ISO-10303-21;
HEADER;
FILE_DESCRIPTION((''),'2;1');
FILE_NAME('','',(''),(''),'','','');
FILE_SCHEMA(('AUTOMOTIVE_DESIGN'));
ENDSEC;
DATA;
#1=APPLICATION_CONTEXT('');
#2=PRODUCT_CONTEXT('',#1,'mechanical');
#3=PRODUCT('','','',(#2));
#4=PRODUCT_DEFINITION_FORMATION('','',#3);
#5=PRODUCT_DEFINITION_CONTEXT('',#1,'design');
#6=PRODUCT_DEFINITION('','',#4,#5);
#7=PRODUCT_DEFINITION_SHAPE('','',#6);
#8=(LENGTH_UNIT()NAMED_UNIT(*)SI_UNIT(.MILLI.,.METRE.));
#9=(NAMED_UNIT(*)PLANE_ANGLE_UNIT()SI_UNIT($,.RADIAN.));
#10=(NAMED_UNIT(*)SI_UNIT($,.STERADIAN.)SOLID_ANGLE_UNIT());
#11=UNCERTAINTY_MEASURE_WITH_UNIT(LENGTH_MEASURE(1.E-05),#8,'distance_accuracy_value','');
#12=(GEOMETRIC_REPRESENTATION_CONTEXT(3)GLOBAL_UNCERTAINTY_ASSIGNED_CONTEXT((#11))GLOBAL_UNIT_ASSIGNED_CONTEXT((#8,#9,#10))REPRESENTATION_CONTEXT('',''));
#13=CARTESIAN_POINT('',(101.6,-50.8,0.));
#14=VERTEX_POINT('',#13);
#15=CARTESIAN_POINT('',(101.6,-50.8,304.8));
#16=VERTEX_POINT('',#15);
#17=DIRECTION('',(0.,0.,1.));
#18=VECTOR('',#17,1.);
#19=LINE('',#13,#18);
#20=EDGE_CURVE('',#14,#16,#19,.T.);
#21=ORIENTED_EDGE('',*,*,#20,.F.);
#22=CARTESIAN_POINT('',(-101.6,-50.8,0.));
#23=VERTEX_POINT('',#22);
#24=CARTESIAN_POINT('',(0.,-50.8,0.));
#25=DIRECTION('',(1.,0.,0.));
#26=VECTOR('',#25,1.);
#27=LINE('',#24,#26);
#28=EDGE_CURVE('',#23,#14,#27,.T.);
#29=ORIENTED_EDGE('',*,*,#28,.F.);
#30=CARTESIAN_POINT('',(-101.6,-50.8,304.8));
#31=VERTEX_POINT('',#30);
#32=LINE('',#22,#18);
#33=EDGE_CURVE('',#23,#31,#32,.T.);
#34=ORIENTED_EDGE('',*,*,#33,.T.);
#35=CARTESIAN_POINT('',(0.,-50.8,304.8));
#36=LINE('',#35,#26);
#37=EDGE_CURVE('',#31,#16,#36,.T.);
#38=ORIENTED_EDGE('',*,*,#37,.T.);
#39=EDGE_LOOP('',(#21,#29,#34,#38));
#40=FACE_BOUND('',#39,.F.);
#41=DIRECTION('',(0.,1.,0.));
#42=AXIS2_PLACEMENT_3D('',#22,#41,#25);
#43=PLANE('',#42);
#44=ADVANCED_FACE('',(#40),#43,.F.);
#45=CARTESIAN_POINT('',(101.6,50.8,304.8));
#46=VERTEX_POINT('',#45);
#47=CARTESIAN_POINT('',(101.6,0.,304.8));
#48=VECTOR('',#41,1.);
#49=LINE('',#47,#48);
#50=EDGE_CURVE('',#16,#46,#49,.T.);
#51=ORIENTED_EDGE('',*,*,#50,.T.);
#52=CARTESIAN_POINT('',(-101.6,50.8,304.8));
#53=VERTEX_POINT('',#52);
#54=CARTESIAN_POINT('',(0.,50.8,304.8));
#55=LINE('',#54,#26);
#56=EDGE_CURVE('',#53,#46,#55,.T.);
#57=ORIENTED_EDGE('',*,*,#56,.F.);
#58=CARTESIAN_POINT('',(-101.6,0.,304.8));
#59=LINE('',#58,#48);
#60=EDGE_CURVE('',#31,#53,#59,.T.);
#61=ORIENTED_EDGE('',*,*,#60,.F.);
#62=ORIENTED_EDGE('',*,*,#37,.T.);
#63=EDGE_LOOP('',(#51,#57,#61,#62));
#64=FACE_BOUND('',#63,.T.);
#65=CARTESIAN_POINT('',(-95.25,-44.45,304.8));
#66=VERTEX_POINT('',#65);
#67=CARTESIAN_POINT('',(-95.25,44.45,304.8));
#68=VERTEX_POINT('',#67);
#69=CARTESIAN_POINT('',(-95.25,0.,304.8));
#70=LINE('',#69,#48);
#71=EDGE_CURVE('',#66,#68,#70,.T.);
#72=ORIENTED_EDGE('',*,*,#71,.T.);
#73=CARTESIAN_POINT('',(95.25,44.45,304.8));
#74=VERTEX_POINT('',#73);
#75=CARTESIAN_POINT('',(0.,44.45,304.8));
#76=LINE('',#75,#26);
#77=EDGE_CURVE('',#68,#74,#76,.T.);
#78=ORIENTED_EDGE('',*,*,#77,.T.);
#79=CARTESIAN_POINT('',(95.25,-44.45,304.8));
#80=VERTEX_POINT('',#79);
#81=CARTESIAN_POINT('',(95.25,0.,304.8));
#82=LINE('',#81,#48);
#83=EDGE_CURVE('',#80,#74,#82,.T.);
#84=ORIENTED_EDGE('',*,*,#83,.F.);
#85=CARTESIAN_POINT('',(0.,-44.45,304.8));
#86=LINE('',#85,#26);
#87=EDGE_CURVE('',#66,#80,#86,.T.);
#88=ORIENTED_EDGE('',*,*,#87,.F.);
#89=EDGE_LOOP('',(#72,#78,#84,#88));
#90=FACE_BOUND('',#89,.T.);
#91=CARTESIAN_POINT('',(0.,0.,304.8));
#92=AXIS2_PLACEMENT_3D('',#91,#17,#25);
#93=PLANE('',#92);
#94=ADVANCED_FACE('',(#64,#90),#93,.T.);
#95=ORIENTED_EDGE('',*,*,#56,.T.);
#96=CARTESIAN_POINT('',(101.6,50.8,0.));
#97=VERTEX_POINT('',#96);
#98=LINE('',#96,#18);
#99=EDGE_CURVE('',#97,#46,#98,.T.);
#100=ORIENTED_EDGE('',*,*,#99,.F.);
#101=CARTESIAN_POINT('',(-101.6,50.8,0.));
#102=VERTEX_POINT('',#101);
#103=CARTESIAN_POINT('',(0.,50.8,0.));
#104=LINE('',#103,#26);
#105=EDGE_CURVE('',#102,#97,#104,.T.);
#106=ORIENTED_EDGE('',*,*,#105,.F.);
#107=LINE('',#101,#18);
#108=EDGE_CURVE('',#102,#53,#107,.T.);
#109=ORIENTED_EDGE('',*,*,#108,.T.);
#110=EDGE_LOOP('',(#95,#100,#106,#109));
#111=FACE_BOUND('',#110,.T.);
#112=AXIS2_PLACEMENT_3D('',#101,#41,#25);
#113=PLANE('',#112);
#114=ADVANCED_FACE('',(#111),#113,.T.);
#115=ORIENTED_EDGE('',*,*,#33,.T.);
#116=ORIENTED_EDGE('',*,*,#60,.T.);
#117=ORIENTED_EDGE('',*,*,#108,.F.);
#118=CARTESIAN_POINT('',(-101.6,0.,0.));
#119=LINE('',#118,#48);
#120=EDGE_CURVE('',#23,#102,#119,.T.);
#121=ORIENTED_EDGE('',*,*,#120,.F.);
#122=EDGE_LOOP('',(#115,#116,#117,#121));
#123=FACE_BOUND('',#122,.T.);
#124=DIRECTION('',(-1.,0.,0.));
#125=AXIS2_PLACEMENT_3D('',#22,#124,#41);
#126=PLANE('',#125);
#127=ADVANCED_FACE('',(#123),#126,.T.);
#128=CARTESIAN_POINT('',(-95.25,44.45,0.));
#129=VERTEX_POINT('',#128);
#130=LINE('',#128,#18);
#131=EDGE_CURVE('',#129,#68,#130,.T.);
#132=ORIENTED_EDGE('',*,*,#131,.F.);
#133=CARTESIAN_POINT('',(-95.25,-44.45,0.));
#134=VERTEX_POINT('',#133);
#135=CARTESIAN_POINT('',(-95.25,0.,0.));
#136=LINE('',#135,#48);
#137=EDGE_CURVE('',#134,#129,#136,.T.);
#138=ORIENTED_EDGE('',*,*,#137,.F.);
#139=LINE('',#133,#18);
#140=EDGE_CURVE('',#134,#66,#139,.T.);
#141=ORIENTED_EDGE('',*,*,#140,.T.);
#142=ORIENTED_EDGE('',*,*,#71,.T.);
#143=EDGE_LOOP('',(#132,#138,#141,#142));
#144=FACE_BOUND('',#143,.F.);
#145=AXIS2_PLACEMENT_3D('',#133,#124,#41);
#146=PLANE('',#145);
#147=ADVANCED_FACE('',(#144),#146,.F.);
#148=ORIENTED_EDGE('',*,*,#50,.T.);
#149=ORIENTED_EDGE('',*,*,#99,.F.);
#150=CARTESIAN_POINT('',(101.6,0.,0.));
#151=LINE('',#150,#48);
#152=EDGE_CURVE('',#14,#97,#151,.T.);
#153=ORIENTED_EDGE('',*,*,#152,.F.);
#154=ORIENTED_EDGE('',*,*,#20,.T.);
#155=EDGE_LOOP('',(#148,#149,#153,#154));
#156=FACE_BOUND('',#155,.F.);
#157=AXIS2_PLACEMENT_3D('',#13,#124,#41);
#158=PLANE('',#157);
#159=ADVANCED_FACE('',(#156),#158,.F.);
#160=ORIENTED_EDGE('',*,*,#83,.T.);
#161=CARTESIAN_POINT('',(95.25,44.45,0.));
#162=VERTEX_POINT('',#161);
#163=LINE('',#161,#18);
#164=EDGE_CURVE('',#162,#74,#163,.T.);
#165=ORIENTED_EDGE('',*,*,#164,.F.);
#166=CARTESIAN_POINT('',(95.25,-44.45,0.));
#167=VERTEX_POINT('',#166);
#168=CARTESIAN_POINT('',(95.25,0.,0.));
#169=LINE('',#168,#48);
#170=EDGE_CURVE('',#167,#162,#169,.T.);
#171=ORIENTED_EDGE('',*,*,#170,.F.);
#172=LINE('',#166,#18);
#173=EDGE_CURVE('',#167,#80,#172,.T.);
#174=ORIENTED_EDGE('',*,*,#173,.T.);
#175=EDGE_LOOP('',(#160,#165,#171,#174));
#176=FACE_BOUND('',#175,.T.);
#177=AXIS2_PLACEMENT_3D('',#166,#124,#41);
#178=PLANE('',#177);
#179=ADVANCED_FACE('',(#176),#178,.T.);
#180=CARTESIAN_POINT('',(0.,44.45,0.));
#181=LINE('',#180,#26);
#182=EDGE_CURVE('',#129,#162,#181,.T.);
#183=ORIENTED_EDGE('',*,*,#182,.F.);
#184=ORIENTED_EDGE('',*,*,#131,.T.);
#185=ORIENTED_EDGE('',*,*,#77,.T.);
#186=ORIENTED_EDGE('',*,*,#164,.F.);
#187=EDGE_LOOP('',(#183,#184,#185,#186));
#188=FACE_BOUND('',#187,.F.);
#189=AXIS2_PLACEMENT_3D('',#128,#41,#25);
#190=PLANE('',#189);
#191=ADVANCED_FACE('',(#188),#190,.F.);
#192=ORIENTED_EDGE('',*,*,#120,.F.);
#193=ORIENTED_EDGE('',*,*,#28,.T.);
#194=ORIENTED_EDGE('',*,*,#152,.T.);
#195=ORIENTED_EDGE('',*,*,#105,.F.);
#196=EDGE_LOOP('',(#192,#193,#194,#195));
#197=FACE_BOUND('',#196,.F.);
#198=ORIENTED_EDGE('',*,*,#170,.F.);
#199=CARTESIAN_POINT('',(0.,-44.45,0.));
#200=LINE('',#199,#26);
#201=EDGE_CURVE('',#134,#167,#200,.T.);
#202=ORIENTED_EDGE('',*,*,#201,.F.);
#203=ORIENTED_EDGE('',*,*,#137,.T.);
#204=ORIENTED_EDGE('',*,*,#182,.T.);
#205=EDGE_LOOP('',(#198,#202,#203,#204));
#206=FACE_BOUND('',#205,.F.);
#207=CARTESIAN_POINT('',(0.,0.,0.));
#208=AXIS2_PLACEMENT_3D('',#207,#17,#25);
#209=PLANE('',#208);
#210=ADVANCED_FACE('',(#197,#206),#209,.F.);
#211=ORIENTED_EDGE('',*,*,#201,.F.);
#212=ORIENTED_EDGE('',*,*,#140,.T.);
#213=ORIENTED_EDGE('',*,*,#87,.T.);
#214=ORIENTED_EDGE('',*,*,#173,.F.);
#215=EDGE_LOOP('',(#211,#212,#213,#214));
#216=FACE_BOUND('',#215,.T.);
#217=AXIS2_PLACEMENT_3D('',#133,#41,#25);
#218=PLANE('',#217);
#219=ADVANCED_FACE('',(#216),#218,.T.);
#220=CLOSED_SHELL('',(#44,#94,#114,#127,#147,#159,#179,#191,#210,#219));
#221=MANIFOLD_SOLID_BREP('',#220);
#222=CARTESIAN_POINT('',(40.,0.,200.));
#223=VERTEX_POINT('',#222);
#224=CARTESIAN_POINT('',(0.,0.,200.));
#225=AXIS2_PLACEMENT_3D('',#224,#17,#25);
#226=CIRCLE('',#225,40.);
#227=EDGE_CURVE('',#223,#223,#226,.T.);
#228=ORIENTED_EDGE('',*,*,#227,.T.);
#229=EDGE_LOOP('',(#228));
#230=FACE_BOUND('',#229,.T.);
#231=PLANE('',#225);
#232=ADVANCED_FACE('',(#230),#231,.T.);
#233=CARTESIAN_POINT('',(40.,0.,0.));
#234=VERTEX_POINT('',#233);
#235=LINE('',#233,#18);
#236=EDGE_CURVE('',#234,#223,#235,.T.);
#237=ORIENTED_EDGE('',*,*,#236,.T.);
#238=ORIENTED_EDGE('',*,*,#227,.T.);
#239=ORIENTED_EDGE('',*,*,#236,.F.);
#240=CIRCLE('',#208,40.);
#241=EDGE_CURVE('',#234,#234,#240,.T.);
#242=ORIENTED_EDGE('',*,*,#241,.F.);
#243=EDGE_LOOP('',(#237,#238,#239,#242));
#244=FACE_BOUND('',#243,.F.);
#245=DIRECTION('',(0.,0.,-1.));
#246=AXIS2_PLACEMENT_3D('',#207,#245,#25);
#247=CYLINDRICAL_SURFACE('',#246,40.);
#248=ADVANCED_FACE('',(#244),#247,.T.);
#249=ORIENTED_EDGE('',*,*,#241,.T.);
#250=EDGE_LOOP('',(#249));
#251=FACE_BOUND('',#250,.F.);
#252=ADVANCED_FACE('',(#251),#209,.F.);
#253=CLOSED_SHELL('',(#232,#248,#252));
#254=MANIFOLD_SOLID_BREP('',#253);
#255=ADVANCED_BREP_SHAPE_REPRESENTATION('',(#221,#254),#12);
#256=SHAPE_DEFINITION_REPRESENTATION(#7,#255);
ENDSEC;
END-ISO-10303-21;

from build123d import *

# Parameters (mm, degrees)
F0_W     = 203.2
F0_H     = 101.6
F0_W_2   = 190.5
F0_H_2   = 88.9
F1_DEPTH = 304.8
F0_R     = 40
F2_DEPTH = 200


with BuildPart() as f1:
    # F0 (on Top) → F1 (new body)
    with BuildSketch(Plane.XY):
        Rectangle(F0_W, F0_H)
        Rectangle(F0_W_2, F0_H_2, mode=Mode.SUBTRACT)
    extrude(amount=F1_DEPTH)


with BuildPart() as f2:
    # F0 (on Top) → F2 (new body)
    with BuildSketch(Plane.XY):
        Circle(F0_R)
    extrude(amount=F2_DEPTH)


solid = Compound([f1.part, f2.part])
